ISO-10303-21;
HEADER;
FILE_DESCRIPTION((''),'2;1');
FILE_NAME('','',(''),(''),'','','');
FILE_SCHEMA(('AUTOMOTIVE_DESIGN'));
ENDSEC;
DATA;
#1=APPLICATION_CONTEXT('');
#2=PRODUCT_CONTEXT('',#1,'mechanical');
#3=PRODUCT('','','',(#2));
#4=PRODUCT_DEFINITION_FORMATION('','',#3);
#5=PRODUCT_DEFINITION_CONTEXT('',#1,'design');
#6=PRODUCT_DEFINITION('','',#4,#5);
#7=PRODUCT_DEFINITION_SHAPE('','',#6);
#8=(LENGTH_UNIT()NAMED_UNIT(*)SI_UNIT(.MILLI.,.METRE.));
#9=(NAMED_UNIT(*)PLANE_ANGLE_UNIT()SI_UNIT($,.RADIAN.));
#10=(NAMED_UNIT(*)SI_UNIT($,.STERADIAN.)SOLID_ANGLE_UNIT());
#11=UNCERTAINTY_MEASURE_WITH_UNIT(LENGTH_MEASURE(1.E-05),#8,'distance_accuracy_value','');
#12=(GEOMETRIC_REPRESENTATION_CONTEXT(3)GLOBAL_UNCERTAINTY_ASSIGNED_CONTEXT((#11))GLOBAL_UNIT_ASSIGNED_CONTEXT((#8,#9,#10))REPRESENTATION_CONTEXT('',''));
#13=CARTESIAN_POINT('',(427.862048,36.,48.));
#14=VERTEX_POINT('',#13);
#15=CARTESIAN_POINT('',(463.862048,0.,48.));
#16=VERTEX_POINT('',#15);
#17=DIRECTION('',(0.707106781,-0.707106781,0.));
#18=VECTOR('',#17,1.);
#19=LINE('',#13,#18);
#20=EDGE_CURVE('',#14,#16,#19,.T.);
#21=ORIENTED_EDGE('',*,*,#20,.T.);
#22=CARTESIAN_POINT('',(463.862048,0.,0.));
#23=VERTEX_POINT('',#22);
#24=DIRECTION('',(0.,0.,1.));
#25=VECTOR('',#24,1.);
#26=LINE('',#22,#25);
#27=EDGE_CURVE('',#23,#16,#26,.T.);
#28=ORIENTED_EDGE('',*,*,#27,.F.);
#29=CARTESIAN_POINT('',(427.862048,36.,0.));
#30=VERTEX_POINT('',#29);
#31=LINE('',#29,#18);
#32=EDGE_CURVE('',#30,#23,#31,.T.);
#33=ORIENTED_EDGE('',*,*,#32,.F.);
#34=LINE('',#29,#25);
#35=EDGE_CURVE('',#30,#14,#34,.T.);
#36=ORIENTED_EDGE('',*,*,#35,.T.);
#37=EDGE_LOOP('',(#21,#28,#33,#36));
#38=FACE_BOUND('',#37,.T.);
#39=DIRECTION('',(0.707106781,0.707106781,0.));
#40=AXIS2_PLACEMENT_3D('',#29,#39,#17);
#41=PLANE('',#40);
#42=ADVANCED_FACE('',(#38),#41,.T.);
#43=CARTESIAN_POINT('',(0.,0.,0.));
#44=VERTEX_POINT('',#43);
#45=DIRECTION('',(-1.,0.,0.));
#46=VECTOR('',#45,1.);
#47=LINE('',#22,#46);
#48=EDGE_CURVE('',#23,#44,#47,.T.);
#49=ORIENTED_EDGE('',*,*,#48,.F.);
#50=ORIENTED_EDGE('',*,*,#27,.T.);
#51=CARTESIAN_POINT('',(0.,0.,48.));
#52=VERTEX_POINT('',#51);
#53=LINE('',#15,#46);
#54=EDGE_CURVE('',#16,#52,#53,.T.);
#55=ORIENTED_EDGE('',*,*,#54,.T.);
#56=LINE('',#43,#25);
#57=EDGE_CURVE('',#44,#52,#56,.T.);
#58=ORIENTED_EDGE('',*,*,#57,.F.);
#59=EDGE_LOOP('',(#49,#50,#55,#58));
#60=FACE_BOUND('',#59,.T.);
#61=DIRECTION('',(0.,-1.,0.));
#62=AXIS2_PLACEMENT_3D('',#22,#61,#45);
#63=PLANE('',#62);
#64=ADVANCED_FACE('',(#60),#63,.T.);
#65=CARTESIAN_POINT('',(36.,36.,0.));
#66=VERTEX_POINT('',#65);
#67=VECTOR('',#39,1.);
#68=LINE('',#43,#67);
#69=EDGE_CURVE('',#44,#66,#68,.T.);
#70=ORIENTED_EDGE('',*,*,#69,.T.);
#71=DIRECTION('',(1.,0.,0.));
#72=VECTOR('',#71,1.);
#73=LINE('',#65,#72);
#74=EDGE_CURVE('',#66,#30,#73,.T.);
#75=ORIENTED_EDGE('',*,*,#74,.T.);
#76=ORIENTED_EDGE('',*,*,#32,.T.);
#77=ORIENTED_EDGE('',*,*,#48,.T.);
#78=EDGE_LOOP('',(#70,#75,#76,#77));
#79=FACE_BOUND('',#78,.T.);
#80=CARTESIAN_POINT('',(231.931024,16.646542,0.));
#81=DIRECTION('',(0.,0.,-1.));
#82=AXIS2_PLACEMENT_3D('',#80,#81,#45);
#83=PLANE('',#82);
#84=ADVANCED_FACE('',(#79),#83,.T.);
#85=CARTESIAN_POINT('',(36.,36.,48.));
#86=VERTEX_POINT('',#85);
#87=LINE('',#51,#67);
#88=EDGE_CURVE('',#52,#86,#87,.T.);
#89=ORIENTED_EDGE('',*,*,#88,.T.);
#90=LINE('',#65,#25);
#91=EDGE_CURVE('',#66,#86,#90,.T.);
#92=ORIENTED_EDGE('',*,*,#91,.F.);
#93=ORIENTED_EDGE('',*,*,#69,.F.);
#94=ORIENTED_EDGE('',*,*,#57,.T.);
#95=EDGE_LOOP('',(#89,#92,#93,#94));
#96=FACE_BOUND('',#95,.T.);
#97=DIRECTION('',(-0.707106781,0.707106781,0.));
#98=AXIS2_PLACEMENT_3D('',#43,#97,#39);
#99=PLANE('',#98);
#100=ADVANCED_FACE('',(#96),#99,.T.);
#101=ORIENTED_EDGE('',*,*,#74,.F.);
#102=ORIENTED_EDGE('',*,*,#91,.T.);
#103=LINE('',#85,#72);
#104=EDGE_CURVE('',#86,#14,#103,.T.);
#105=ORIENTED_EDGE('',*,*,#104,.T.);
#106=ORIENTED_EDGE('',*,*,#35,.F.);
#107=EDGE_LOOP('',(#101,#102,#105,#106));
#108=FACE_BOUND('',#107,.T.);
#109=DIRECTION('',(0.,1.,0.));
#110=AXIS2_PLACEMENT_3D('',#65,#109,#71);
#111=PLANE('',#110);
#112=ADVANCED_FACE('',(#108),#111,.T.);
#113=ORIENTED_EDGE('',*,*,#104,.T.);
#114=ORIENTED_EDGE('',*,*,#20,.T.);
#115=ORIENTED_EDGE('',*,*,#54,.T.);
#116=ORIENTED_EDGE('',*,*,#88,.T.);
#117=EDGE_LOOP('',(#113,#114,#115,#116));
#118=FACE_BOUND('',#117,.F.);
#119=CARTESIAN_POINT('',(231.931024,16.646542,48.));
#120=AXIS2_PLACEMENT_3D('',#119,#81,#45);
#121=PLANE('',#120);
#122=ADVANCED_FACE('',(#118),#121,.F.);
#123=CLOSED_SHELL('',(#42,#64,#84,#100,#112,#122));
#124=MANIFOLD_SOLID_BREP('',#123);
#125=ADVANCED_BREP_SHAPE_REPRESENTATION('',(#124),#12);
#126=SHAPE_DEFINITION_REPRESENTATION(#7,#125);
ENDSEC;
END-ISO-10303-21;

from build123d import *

# Parameters (mm, degrees)
EXTRUDE_DEPTH = 48


with BuildPart() as part:
    # Sketch001 → Extrude (new body)
    with BuildSketch(Plane.XY):
        Polygon((0, 0), (36, 36), (427.862048, 36), (463.862048, 0), align=None)
    extrude(amount=EXTRUDE_DEPTH)


solid = part.part
